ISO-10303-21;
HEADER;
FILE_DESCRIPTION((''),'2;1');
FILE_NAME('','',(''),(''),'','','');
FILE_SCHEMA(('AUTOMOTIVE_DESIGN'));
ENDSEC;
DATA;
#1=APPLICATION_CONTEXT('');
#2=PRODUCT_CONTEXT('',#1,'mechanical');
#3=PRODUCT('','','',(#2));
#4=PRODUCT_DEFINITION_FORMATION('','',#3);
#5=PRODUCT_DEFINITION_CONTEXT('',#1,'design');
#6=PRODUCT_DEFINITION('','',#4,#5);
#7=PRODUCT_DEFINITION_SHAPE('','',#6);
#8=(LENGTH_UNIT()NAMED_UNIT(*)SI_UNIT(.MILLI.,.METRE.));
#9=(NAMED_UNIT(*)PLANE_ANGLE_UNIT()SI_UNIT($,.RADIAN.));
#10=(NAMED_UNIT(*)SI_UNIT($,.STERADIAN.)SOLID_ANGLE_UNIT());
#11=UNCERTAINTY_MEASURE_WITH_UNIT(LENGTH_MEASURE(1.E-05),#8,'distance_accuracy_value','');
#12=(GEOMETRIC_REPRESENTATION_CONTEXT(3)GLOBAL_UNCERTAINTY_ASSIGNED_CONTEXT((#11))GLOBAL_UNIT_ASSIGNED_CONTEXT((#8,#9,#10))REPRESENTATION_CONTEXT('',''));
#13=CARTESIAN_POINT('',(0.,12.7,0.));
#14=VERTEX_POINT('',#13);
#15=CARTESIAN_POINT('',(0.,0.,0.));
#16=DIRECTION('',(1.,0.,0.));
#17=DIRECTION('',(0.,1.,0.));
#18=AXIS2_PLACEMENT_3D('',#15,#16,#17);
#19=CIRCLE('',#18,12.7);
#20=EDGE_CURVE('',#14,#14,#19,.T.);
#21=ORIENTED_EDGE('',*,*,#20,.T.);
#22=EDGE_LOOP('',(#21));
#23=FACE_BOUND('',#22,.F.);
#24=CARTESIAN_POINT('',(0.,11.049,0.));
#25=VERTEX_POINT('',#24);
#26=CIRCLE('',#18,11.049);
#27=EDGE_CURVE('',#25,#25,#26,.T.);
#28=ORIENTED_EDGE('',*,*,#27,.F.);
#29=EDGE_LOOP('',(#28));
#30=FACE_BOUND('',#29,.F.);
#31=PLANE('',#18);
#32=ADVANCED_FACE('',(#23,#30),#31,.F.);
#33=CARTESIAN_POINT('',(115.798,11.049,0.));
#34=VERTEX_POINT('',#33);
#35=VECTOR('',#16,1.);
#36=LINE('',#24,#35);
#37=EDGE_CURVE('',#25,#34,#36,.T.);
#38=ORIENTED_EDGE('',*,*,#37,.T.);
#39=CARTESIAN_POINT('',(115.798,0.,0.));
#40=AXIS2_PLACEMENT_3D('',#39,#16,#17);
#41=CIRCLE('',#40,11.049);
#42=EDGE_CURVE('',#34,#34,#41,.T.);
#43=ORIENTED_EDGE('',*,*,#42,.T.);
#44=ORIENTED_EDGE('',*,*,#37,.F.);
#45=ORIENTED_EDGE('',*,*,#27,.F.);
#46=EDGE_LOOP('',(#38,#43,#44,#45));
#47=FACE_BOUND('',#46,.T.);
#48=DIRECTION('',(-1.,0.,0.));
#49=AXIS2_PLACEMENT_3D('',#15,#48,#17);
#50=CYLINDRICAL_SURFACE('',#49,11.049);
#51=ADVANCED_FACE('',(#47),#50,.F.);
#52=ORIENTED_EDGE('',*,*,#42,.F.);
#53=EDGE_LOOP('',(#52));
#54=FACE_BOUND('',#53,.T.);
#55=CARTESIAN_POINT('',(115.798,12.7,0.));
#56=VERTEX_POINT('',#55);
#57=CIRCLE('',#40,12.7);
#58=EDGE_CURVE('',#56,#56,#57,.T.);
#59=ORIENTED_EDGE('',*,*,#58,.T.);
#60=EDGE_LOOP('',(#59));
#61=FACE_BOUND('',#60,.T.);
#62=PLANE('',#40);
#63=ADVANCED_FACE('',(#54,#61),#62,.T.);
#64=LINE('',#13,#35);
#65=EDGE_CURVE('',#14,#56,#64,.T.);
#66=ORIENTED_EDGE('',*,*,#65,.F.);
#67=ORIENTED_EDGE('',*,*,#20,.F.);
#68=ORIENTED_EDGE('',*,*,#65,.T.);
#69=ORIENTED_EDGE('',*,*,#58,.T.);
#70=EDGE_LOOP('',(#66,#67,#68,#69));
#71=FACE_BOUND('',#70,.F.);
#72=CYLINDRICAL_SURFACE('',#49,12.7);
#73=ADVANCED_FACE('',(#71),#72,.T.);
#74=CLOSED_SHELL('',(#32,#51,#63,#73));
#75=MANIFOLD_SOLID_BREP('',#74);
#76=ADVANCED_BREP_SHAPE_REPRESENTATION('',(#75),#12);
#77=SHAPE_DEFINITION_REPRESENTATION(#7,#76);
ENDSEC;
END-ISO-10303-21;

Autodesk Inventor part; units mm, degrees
ref_plane "XZ Plane" through (0, 0, 0) normal (0, 1, 0) x (-1, 0, 0)
ref_plane "Start Plane" through (0, 0, 0) normal (1, 0, 0) x (0, 1, 0)
ref_plane "End Plane" through (115.798, 0, 0) normal (1, 0, 0) x (0, 1, 0)
sketch "Sketch" plane through (0, 0, 0) normal (1, 0, 0) x (0, 1, 0)
  circle A0 centre (0, 0) radius 12.7
  circle A1 centre (0, 0) radius 11.049
  dimension "d0" = 25.4
  dimension "d1" = 1.651
extrude "Body" add sketch "Sketch" along normal up to surface (115.798 mm away) from surface at 0
sketch "Sketch2" plane through (0, 0, 0) normal (1, 0, 0) x (0, 1, 0)
  line L0 (0, 0) -> (10, 0)
ref_plane "Work Plane3" through (0, 0, 0) normal (0, 0, -1) x (0, 1, 0)
sketch "Sketch3" plane through (0, 0, 0) normal (0, 0, -1) x (0, 1, 0)
  line L0 (-2, 0) -> (12, 0)
  line L1 (-2, 115.798) -> (12, 115.798)
  dimension "d9" = 115.798
equation "\"G_OFFSET_START\" = 0"
equation "\"G_OFFSET_END\" = 0"
equation "\"d5\" = d2 + G_OFFSET_END"
equation "\"G_L\" = d9"
equation "\"d2\" = 115.798039"
properties part number "4130_1x0.065" material "Steel, Alloy"
